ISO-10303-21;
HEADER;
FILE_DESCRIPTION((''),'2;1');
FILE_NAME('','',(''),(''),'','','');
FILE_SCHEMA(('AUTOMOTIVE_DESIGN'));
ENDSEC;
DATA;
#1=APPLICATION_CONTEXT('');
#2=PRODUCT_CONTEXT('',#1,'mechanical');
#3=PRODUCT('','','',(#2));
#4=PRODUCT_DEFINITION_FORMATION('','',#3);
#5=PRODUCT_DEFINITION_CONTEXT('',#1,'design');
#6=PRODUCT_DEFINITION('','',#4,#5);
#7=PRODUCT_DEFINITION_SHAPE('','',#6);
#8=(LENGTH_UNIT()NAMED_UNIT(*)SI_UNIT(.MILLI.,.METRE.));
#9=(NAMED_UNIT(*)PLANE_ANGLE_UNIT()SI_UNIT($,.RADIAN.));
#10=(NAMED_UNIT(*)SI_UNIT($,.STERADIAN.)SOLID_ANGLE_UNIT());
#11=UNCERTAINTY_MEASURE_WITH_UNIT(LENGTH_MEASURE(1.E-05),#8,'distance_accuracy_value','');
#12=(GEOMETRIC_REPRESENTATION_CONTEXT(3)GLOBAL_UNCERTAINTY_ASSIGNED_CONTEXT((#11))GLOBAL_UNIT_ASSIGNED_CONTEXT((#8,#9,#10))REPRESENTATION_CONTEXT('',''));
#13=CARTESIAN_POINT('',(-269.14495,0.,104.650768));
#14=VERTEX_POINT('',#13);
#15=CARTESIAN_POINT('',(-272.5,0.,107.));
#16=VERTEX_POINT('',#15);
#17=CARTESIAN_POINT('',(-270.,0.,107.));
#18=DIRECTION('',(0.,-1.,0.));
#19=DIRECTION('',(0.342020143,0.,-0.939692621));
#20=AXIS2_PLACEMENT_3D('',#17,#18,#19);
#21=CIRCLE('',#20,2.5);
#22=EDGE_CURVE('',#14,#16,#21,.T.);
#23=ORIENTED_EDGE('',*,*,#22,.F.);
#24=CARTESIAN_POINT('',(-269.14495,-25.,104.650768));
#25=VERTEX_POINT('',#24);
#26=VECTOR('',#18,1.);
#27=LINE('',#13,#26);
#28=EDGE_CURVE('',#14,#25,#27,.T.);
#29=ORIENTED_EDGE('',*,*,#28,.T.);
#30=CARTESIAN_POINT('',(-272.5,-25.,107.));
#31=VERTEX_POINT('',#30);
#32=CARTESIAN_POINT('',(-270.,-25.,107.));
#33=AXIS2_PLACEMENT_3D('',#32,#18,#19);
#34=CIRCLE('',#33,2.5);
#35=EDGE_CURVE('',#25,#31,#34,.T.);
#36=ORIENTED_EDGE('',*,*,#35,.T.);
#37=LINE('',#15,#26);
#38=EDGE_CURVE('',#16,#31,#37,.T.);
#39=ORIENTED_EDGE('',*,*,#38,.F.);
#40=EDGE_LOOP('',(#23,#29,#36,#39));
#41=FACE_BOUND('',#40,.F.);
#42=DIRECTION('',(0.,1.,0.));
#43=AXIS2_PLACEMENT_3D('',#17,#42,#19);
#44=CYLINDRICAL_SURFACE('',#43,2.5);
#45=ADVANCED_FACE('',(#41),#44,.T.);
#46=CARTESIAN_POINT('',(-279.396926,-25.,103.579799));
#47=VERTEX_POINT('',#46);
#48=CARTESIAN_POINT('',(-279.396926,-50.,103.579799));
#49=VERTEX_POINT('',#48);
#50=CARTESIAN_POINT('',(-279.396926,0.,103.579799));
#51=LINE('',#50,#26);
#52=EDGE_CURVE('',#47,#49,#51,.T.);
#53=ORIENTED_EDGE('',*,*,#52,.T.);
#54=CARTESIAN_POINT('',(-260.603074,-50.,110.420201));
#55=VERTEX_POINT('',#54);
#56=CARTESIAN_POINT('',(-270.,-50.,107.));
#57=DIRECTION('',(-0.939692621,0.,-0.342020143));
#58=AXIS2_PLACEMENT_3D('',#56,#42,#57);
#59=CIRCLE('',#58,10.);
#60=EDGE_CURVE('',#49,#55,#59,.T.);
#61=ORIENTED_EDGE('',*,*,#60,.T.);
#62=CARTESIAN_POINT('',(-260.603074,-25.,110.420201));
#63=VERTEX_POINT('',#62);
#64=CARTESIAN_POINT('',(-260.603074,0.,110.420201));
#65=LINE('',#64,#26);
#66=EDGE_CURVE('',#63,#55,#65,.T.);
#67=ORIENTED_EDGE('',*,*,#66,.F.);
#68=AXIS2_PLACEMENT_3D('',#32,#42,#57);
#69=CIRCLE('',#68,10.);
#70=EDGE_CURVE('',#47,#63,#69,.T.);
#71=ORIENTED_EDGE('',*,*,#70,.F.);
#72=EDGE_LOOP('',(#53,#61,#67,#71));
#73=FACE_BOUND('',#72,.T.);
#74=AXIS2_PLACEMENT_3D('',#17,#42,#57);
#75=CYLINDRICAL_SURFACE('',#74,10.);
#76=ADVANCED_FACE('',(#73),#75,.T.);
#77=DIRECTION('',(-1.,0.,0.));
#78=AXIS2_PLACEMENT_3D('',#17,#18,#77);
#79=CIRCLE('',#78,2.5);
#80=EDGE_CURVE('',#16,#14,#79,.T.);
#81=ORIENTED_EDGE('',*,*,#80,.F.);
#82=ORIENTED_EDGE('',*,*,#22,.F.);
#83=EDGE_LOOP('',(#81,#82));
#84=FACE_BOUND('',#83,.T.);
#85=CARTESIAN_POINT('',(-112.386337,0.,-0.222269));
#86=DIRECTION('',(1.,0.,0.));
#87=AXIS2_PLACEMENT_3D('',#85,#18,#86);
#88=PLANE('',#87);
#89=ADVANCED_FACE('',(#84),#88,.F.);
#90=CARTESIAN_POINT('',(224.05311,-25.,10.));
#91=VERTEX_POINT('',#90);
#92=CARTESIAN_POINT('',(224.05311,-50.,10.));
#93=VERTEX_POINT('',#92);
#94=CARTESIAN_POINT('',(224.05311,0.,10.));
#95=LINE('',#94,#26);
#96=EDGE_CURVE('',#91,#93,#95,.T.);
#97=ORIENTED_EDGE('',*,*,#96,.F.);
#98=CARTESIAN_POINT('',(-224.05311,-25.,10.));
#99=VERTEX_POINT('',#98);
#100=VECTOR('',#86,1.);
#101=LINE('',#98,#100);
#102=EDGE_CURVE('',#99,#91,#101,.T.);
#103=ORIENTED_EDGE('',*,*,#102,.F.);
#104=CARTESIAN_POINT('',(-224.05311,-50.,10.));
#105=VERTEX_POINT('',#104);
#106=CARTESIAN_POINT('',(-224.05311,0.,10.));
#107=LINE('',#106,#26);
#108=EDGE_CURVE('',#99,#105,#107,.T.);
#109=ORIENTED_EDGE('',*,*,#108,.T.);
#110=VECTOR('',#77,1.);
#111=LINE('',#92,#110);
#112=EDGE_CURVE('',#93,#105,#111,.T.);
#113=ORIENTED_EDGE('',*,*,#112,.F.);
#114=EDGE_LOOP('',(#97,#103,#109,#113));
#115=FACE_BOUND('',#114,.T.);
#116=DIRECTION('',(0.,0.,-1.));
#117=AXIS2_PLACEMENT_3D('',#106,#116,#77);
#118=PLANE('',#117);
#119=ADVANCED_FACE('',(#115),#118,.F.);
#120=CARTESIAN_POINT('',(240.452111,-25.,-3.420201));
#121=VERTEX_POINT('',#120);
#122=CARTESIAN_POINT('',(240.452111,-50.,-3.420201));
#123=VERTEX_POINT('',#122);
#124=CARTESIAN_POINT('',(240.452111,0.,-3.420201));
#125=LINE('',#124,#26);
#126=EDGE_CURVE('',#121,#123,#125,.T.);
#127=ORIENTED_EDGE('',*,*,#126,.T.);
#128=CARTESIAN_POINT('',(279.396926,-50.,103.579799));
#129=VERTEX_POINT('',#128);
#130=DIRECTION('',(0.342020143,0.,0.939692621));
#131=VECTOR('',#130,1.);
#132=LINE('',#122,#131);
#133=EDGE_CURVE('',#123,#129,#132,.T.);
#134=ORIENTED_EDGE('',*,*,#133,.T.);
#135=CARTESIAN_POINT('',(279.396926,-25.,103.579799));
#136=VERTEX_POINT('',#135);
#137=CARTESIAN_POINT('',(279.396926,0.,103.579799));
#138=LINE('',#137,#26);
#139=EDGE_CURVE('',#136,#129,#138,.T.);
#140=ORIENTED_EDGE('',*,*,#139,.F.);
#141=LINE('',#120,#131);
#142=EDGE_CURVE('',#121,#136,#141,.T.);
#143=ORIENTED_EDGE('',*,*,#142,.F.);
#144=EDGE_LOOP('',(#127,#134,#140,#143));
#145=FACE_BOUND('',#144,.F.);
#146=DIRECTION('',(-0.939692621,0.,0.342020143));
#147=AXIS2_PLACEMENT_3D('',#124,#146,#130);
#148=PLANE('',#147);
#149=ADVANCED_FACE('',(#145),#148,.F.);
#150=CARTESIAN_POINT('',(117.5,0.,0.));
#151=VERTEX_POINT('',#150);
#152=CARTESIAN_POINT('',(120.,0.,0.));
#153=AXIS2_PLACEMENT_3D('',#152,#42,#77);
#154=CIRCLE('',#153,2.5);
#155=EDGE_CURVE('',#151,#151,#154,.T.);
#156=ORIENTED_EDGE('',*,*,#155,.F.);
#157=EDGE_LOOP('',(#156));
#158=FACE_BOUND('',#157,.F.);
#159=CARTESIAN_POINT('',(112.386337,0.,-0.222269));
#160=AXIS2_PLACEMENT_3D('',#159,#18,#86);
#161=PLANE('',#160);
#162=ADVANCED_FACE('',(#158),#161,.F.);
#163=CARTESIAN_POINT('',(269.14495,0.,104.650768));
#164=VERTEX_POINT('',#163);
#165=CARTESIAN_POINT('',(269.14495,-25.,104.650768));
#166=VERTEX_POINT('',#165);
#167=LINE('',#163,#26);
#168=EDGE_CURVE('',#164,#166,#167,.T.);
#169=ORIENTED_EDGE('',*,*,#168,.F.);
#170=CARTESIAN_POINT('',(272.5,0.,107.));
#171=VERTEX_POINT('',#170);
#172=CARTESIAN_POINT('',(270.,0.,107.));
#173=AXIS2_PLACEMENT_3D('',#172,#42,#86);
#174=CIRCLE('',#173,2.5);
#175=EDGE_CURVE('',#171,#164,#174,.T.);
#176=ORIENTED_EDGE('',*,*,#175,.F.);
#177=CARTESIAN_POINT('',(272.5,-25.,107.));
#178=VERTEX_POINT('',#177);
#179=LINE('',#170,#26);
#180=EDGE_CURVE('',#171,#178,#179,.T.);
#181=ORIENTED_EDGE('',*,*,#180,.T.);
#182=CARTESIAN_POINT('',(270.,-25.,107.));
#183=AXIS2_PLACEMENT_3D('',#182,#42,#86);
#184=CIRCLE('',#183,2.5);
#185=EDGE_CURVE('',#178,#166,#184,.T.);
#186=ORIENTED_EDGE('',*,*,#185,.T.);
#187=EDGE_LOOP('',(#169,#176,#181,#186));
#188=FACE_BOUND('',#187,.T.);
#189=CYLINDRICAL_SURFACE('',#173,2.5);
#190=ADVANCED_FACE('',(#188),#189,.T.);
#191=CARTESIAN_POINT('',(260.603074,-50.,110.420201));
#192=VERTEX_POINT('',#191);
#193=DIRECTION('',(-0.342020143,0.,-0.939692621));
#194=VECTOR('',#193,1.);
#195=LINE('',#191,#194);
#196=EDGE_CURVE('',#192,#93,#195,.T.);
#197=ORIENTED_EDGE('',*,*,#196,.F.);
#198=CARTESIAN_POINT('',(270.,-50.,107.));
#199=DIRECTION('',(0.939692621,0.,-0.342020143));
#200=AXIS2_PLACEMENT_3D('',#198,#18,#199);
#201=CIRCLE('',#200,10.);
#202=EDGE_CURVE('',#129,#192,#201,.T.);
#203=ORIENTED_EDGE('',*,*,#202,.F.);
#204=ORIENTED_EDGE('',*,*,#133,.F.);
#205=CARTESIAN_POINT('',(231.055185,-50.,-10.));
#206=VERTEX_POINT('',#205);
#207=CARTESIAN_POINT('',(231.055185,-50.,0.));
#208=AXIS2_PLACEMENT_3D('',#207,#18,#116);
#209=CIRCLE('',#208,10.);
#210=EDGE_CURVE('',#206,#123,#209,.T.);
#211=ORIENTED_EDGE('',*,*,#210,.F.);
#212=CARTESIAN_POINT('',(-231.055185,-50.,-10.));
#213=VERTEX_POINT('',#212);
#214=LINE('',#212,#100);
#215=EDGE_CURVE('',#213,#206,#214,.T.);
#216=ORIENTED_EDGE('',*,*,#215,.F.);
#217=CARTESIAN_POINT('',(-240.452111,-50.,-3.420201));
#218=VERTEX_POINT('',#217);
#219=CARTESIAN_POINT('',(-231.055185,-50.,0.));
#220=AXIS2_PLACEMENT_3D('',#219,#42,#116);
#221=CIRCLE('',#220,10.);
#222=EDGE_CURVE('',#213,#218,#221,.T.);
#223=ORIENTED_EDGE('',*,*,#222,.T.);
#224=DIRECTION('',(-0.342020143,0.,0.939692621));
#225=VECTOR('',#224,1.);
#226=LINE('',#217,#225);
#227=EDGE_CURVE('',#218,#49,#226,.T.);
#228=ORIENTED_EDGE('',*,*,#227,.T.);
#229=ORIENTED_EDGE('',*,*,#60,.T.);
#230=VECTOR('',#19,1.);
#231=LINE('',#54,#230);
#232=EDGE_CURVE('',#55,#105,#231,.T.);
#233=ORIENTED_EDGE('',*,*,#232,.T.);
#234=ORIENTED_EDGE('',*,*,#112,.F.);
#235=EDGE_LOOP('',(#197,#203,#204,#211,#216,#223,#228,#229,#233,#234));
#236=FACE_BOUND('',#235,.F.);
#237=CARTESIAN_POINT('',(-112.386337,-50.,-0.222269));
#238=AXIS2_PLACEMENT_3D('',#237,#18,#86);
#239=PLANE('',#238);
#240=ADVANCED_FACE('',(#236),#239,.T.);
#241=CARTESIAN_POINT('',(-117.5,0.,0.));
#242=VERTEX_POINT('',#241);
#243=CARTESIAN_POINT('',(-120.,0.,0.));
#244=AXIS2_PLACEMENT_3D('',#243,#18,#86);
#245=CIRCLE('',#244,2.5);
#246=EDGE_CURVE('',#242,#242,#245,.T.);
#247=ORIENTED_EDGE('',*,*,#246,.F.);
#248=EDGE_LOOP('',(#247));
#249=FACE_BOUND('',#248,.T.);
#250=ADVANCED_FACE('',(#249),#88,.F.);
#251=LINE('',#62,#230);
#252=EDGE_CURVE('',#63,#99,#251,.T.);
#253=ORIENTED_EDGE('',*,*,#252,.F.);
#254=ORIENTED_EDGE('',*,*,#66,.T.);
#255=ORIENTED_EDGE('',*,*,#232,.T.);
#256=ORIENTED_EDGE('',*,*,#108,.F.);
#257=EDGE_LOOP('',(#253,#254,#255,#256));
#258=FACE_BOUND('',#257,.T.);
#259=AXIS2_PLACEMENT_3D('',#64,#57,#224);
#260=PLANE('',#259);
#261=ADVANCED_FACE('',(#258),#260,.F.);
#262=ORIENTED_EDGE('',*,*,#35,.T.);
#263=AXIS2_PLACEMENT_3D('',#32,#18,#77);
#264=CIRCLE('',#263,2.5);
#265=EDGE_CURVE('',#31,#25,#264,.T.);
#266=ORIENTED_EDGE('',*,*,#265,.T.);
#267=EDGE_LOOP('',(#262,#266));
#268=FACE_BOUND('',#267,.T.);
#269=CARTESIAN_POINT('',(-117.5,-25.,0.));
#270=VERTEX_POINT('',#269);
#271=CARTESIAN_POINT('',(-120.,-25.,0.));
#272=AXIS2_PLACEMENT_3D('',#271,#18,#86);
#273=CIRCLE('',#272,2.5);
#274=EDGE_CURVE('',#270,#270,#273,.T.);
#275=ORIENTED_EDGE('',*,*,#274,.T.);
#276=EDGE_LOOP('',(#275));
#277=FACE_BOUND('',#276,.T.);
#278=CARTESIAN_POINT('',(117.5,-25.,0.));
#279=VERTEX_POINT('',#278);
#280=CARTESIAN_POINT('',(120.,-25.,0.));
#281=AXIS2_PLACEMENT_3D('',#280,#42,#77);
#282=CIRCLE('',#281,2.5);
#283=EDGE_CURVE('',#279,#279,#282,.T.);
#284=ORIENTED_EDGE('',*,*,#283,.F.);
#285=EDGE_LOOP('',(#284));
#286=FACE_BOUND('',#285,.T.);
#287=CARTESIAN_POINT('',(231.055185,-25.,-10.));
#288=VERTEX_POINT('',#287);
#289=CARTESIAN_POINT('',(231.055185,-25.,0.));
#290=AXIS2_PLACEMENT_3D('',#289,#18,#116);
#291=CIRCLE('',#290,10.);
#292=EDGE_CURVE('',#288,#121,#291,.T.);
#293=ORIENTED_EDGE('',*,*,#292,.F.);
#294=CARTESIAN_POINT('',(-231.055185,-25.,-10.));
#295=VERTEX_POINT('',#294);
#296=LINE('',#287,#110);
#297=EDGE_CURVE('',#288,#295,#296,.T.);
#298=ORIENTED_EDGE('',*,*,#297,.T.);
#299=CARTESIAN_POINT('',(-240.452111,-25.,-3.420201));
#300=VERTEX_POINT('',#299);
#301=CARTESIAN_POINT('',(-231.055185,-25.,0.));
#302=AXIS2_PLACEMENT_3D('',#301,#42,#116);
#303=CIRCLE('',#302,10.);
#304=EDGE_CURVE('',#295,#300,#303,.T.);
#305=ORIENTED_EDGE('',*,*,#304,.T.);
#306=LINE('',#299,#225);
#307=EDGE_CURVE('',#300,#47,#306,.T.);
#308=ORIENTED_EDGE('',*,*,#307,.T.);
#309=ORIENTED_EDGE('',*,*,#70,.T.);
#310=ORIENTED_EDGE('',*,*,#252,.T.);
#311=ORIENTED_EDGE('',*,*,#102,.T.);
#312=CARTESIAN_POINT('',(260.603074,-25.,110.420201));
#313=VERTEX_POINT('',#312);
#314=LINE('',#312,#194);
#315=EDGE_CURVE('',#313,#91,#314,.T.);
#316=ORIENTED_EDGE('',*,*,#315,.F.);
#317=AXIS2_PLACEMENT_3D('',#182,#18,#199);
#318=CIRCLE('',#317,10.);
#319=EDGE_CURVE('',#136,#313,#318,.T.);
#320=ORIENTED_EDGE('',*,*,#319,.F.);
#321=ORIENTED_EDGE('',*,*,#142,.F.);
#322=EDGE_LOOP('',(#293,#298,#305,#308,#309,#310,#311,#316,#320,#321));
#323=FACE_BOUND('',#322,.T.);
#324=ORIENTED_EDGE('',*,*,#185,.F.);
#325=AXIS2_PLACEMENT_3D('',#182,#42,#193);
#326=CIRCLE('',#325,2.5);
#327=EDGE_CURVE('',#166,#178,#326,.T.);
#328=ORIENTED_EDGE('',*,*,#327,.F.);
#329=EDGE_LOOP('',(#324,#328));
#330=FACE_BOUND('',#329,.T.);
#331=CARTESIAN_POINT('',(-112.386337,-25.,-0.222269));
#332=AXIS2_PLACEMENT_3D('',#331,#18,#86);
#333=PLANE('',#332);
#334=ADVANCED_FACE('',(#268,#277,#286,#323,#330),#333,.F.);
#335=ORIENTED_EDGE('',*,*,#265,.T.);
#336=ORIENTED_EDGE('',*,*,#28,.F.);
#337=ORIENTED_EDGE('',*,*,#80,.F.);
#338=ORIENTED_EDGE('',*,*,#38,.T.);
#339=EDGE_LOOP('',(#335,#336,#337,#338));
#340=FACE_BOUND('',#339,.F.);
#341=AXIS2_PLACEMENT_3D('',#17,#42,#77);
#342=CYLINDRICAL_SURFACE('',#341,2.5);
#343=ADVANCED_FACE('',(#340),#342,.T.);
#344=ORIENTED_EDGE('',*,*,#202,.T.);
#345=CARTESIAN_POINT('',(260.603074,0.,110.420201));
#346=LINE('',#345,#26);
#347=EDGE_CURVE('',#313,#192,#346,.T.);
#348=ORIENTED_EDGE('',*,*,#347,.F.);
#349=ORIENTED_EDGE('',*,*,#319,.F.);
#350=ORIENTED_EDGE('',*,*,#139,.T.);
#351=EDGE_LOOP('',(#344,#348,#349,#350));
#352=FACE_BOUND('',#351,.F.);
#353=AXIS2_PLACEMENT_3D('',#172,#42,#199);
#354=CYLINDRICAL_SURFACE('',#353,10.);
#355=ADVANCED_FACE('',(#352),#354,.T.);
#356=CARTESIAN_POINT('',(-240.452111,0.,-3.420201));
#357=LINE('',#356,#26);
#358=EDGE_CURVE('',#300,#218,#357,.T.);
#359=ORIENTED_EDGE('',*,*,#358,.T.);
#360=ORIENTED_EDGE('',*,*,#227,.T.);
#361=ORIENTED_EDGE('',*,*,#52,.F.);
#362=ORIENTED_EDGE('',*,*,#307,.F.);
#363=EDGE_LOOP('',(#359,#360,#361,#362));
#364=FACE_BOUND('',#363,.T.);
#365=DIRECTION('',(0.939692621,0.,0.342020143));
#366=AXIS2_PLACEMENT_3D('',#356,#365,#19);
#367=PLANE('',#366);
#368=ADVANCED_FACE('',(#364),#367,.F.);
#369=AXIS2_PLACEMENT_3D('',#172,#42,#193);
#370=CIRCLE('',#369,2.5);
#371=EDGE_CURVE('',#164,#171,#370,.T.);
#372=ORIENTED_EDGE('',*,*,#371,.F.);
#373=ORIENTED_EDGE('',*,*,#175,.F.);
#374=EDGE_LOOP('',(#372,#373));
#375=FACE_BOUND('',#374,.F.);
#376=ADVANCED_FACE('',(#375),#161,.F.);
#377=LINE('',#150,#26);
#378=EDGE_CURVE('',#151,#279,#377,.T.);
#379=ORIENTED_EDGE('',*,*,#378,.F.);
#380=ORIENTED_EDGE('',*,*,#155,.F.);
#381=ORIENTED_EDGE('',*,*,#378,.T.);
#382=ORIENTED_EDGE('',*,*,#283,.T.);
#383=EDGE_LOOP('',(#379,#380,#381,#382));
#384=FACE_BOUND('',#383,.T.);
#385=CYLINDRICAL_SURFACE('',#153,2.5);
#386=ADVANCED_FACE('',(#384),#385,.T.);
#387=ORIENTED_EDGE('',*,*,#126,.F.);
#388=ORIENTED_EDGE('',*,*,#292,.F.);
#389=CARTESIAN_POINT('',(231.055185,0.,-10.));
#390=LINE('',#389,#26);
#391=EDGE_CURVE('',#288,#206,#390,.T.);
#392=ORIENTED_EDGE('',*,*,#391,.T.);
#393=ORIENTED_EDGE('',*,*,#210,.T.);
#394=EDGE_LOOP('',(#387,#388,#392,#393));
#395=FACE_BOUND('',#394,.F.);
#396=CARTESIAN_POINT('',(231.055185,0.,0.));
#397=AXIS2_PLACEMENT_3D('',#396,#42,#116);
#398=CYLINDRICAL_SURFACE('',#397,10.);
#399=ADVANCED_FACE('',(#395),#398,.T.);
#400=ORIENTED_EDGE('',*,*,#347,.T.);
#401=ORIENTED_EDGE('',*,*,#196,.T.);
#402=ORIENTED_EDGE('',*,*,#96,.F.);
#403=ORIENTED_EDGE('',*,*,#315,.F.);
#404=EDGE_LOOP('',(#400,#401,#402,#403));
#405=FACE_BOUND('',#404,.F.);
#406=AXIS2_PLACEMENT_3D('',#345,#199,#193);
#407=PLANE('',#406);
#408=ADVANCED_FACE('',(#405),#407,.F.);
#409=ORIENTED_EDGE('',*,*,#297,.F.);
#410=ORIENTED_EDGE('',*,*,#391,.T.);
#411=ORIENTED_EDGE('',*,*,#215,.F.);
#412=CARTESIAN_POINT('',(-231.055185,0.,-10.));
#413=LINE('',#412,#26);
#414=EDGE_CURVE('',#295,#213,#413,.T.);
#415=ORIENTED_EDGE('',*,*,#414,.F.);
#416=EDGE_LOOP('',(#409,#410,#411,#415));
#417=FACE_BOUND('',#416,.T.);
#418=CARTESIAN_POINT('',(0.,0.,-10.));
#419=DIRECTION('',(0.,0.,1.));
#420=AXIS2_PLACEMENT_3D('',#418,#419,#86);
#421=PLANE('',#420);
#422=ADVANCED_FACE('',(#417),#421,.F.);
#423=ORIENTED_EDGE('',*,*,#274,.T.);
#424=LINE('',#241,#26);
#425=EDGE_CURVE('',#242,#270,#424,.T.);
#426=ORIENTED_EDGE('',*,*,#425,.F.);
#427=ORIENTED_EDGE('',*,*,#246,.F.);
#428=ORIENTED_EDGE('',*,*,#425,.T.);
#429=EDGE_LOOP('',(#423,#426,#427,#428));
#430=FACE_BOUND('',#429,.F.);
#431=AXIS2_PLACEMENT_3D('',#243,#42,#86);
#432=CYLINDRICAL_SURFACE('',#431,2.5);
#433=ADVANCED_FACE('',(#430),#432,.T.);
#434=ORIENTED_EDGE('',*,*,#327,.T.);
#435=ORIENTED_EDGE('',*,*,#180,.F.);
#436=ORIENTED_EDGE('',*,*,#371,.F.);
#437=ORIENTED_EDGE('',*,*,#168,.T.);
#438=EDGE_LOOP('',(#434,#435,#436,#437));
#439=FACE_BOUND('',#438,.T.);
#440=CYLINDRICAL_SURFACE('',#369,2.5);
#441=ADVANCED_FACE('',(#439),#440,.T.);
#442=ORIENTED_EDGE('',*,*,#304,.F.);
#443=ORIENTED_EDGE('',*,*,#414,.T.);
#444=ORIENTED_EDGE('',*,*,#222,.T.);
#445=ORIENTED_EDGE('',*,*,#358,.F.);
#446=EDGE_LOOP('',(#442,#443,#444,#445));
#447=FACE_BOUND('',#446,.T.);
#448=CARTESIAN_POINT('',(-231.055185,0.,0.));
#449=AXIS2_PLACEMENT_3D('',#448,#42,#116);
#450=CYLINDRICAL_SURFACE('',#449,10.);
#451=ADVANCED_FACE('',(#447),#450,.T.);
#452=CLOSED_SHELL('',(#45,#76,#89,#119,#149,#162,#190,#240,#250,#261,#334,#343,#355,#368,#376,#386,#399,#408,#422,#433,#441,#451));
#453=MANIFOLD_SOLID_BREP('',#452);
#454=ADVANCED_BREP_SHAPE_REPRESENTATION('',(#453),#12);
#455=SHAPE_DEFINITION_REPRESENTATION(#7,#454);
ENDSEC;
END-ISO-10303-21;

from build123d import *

# Parameters (mm, degrees)
F1_DEPTH = 50
F2_DEPTH = 25


with BuildPart() as f1:
    # F0 (on Front) → F1 (new body)
    with BuildSketch(Plane.XZ):
        with BuildLine():
            ThreePointArc((231.0551849335, -10), (223.9841171217, -7.0710678119), (221.0551849335, 0))
            ThreePointArc((221.0551849335, 0), (221.2071074034, 1.7364817767), (221.6582587257, 3.4202014333))
            Line((221.6582587257, 3.4202014333), (224.0531095514, 10))
            Line((224.0531095514, 10), (0, 10))
            ThreePointArc((0, 10), (-10, 0), (0, -10))
            Line((0, -10), (231.0551849335, -10))
        make_face()
        with BuildLine():
            ThreePointArc((122.5, 0), (120, -2.5), (117.5, 0))
            ThreePointArc((117.5, 0), (120, 2.5), (122.5, 0))
        make_face(mode=Mode.SUBTRACT)
        with BuildLine():
            Line((231.0551849335, 0), (221.0551849335, 0))
            ThreePointArc((221.0551849335, 0), (223.9841171217, -7.0710678119), (231.0551849335, -10))
            ThreePointArc((231.0551849335, -10), (236.790949297, -8.1915204429), (240.4521111414, -3.4202014333))
            ThreePointArc((240.4521111414, -3.4202014333), (240.1182628039, 4.2261826174), (234.4753863668, 9.3969262079))
            Line((234.4753863668, 9.3969262079), (231.0551849335, 0))
        make_face()
        with BuildLine():
            ThreePointArc((231.0551849335, 10), (232.7916667102, 9.8480775301), (234.4753863668, 9.3969262079))
            ThreePointArc((234.4753863668, 9.3969262079), (240.1182628039, 4.2261826174), (240.4521111414, -3.4202014333))
            Line((240.4521111414, -3.4202014333), (279.3969262079, 103.5797985667))
            ThreePointArc((279.3969262079, 103.5797985667), (273.4202014333, 116.3969262079), (260.6030737921, 110.4202014333))
            Line((260.6030737921, 110.4202014333), (224.0531095514, 10))
            Line((224.0531095514, 10), (231.0551849335, 10))
        make_face()
        with BuildLine():
            ThreePointArc((272.5, 107), (271.4339410909, 104.9521198893), (269.1449496417, 104.650768448))
            ThreePointArc((269.1449496417, 104.650768448), (268.5660589091, 109.0478801107), (272.5, 107))
        make_face(mode=Mode.SUBTRACT)
        with BuildLine():
            ThreePointArc((221.6582587257, 3.4202014333), (221.2071074034, 1.7364817767), (221.0551849335, 0))
            Line((221.0551849335, 0), (231.0551849335, 0))
            Line((231.0551849335, 0), (234.4753863668, 9.3969262079))
            ThreePointArc((234.4753863668, 9.3969262079), (232.7916667102, 9.8480775301), (231.0551849335, 10))
            Line((231.0551849335, 10), (224.0531095514, 10))
            Line((224.0531095514, 10), (221.6582587257, 3.4202014333))
        make_face()
        with BuildLine():
            ThreePointArc((272.5, 107), (268.5660589091, 109.0478801107), (269.1449496417, 104.650768448))
            ThreePointArc((269.1449496417, 104.650768448), (271.4339410909, 104.9521198893), (272.5, 107))
        make_face()
        with BuildLine():
            Line((122.5, 0), (117.5, 0))
            ThreePointArc((117.5, 0), (120, -2.5), (122.5, 0))
        make_face()
        with BuildLine():
            ThreePointArc((122.5, 0), (120, 2.5), (117.5, 0))
            Line((117.5, 0), (122.5, 0))
        make_face()
    extrude(amount=F1_DEPTH)

    # F0 (on Front) → F2 (cut)
    with BuildSketch(Plane.XZ):
        with BuildLine():
            ThreePointArc((231.0551849335, -10), (223.9841171217, -7.0710678119), (221.0551849335, 0))
            ThreePointArc((221.0551849335, 0), (221.2071074034, 1.7364817767), (221.6582587257, 3.4202014333))
            Line((221.6582587257, 3.4202014333), (224.0531095514, 10))
            Line((224.0531095514, 10), (0, 10))
            ThreePointArc((0, 10), (-10, 0), (0, -10))
            Line((0, -10), (231.0551849335, -10))
        make_face()
        with BuildLine():
            ThreePointArc((122.5, 0), (120, -2.5), (117.5, 0))
            ThreePointArc((117.5, 0), (120, 2.5), (122.5, 0))
        make_face(mode=Mode.SUBTRACT)
        with BuildLine():
            ThreePointArc((221.6582587257, 3.4202014333), (221.2071074034, 1.7364817767), (221.0551849335, 0))
            Line((221.0551849335, 0), (231.0551849335, 0))
            Line((231.0551849335, 0), (234.4753863668, 9.3969262079))
            ThreePointArc((234.4753863668, 9.3969262079), (232.7916667102, 9.8480775301), (231.0551849335, 10))
            Line((231.0551849335, 10), (224.0531095514, 10))
            Line((224.0531095514, 10), (221.6582587257, 3.4202014333))
        make_face()
        with BuildLine():
            Line((231.0551849335, 0), (221.0551849335, 0))
            ThreePointArc((221.0551849335, 0), (223.9841171217, -7.0710678119), (231.0551849335, -10))
            ThreePointArc((231.0551849335, -10), (236.790949297, -8.1915204429), (240.4521111414, -3.4202014333))
            ThreePointArc((240.4521111414, -3.4202014333), (240.1182628039, 4.2261826174), (234.4753863668, 9.3969262079))
            Line((234.4753863668, 9.3969262079), (231.0551849335, 0))
        make_face()
        with BuildLine():
            ThreePointArc((231.0551849335, 10), (232.7916667102, 9.8480775301), (234.4753863668, 9.3969262079))
            ThreePointArc((234.4753863668, 9.3969262079), (240.1182628039, 4.2261826174), (240.4521111414, -3.4202014333))
            Line((240.4521111414, -3.4202014333), (279.3969262079, 103.5797985667))
            ThreePointArc((279.3969262079, 103.5797985667), (273.4202014333, 116.3969262079), (260.6030737921, 110.4202014333))
            Line((260.6030737921, 110.4202014333), (224.0531095514, 10))
            Line((224.0531095514, 10), (231.0551849335, 10))
        make_face()
        with BuildLine():
            ThreePointArc((272.5, 107), (271.4339410909, 104.9521198893), (269.1449496417, 104.650768448))
            ThreePointArc((269.1449496417, 104.650768448), (268.5660589091, 109.0478801107), (272.5, 107))
        make_face(mode=Mode.SUBTRACT)
    extrude(amount=F2_DEPTH, mode=Mode.SUBTRACT)

    # F3: F1 across plane


with BuildPart() as f1_1:
    add(f1.part)
    add(f1.part.mirror(Plane.YZ))


with BuildPart() as f4_1:
    # F4: copy of F1
    add(f1_1.part)


solid = f1_1.part
